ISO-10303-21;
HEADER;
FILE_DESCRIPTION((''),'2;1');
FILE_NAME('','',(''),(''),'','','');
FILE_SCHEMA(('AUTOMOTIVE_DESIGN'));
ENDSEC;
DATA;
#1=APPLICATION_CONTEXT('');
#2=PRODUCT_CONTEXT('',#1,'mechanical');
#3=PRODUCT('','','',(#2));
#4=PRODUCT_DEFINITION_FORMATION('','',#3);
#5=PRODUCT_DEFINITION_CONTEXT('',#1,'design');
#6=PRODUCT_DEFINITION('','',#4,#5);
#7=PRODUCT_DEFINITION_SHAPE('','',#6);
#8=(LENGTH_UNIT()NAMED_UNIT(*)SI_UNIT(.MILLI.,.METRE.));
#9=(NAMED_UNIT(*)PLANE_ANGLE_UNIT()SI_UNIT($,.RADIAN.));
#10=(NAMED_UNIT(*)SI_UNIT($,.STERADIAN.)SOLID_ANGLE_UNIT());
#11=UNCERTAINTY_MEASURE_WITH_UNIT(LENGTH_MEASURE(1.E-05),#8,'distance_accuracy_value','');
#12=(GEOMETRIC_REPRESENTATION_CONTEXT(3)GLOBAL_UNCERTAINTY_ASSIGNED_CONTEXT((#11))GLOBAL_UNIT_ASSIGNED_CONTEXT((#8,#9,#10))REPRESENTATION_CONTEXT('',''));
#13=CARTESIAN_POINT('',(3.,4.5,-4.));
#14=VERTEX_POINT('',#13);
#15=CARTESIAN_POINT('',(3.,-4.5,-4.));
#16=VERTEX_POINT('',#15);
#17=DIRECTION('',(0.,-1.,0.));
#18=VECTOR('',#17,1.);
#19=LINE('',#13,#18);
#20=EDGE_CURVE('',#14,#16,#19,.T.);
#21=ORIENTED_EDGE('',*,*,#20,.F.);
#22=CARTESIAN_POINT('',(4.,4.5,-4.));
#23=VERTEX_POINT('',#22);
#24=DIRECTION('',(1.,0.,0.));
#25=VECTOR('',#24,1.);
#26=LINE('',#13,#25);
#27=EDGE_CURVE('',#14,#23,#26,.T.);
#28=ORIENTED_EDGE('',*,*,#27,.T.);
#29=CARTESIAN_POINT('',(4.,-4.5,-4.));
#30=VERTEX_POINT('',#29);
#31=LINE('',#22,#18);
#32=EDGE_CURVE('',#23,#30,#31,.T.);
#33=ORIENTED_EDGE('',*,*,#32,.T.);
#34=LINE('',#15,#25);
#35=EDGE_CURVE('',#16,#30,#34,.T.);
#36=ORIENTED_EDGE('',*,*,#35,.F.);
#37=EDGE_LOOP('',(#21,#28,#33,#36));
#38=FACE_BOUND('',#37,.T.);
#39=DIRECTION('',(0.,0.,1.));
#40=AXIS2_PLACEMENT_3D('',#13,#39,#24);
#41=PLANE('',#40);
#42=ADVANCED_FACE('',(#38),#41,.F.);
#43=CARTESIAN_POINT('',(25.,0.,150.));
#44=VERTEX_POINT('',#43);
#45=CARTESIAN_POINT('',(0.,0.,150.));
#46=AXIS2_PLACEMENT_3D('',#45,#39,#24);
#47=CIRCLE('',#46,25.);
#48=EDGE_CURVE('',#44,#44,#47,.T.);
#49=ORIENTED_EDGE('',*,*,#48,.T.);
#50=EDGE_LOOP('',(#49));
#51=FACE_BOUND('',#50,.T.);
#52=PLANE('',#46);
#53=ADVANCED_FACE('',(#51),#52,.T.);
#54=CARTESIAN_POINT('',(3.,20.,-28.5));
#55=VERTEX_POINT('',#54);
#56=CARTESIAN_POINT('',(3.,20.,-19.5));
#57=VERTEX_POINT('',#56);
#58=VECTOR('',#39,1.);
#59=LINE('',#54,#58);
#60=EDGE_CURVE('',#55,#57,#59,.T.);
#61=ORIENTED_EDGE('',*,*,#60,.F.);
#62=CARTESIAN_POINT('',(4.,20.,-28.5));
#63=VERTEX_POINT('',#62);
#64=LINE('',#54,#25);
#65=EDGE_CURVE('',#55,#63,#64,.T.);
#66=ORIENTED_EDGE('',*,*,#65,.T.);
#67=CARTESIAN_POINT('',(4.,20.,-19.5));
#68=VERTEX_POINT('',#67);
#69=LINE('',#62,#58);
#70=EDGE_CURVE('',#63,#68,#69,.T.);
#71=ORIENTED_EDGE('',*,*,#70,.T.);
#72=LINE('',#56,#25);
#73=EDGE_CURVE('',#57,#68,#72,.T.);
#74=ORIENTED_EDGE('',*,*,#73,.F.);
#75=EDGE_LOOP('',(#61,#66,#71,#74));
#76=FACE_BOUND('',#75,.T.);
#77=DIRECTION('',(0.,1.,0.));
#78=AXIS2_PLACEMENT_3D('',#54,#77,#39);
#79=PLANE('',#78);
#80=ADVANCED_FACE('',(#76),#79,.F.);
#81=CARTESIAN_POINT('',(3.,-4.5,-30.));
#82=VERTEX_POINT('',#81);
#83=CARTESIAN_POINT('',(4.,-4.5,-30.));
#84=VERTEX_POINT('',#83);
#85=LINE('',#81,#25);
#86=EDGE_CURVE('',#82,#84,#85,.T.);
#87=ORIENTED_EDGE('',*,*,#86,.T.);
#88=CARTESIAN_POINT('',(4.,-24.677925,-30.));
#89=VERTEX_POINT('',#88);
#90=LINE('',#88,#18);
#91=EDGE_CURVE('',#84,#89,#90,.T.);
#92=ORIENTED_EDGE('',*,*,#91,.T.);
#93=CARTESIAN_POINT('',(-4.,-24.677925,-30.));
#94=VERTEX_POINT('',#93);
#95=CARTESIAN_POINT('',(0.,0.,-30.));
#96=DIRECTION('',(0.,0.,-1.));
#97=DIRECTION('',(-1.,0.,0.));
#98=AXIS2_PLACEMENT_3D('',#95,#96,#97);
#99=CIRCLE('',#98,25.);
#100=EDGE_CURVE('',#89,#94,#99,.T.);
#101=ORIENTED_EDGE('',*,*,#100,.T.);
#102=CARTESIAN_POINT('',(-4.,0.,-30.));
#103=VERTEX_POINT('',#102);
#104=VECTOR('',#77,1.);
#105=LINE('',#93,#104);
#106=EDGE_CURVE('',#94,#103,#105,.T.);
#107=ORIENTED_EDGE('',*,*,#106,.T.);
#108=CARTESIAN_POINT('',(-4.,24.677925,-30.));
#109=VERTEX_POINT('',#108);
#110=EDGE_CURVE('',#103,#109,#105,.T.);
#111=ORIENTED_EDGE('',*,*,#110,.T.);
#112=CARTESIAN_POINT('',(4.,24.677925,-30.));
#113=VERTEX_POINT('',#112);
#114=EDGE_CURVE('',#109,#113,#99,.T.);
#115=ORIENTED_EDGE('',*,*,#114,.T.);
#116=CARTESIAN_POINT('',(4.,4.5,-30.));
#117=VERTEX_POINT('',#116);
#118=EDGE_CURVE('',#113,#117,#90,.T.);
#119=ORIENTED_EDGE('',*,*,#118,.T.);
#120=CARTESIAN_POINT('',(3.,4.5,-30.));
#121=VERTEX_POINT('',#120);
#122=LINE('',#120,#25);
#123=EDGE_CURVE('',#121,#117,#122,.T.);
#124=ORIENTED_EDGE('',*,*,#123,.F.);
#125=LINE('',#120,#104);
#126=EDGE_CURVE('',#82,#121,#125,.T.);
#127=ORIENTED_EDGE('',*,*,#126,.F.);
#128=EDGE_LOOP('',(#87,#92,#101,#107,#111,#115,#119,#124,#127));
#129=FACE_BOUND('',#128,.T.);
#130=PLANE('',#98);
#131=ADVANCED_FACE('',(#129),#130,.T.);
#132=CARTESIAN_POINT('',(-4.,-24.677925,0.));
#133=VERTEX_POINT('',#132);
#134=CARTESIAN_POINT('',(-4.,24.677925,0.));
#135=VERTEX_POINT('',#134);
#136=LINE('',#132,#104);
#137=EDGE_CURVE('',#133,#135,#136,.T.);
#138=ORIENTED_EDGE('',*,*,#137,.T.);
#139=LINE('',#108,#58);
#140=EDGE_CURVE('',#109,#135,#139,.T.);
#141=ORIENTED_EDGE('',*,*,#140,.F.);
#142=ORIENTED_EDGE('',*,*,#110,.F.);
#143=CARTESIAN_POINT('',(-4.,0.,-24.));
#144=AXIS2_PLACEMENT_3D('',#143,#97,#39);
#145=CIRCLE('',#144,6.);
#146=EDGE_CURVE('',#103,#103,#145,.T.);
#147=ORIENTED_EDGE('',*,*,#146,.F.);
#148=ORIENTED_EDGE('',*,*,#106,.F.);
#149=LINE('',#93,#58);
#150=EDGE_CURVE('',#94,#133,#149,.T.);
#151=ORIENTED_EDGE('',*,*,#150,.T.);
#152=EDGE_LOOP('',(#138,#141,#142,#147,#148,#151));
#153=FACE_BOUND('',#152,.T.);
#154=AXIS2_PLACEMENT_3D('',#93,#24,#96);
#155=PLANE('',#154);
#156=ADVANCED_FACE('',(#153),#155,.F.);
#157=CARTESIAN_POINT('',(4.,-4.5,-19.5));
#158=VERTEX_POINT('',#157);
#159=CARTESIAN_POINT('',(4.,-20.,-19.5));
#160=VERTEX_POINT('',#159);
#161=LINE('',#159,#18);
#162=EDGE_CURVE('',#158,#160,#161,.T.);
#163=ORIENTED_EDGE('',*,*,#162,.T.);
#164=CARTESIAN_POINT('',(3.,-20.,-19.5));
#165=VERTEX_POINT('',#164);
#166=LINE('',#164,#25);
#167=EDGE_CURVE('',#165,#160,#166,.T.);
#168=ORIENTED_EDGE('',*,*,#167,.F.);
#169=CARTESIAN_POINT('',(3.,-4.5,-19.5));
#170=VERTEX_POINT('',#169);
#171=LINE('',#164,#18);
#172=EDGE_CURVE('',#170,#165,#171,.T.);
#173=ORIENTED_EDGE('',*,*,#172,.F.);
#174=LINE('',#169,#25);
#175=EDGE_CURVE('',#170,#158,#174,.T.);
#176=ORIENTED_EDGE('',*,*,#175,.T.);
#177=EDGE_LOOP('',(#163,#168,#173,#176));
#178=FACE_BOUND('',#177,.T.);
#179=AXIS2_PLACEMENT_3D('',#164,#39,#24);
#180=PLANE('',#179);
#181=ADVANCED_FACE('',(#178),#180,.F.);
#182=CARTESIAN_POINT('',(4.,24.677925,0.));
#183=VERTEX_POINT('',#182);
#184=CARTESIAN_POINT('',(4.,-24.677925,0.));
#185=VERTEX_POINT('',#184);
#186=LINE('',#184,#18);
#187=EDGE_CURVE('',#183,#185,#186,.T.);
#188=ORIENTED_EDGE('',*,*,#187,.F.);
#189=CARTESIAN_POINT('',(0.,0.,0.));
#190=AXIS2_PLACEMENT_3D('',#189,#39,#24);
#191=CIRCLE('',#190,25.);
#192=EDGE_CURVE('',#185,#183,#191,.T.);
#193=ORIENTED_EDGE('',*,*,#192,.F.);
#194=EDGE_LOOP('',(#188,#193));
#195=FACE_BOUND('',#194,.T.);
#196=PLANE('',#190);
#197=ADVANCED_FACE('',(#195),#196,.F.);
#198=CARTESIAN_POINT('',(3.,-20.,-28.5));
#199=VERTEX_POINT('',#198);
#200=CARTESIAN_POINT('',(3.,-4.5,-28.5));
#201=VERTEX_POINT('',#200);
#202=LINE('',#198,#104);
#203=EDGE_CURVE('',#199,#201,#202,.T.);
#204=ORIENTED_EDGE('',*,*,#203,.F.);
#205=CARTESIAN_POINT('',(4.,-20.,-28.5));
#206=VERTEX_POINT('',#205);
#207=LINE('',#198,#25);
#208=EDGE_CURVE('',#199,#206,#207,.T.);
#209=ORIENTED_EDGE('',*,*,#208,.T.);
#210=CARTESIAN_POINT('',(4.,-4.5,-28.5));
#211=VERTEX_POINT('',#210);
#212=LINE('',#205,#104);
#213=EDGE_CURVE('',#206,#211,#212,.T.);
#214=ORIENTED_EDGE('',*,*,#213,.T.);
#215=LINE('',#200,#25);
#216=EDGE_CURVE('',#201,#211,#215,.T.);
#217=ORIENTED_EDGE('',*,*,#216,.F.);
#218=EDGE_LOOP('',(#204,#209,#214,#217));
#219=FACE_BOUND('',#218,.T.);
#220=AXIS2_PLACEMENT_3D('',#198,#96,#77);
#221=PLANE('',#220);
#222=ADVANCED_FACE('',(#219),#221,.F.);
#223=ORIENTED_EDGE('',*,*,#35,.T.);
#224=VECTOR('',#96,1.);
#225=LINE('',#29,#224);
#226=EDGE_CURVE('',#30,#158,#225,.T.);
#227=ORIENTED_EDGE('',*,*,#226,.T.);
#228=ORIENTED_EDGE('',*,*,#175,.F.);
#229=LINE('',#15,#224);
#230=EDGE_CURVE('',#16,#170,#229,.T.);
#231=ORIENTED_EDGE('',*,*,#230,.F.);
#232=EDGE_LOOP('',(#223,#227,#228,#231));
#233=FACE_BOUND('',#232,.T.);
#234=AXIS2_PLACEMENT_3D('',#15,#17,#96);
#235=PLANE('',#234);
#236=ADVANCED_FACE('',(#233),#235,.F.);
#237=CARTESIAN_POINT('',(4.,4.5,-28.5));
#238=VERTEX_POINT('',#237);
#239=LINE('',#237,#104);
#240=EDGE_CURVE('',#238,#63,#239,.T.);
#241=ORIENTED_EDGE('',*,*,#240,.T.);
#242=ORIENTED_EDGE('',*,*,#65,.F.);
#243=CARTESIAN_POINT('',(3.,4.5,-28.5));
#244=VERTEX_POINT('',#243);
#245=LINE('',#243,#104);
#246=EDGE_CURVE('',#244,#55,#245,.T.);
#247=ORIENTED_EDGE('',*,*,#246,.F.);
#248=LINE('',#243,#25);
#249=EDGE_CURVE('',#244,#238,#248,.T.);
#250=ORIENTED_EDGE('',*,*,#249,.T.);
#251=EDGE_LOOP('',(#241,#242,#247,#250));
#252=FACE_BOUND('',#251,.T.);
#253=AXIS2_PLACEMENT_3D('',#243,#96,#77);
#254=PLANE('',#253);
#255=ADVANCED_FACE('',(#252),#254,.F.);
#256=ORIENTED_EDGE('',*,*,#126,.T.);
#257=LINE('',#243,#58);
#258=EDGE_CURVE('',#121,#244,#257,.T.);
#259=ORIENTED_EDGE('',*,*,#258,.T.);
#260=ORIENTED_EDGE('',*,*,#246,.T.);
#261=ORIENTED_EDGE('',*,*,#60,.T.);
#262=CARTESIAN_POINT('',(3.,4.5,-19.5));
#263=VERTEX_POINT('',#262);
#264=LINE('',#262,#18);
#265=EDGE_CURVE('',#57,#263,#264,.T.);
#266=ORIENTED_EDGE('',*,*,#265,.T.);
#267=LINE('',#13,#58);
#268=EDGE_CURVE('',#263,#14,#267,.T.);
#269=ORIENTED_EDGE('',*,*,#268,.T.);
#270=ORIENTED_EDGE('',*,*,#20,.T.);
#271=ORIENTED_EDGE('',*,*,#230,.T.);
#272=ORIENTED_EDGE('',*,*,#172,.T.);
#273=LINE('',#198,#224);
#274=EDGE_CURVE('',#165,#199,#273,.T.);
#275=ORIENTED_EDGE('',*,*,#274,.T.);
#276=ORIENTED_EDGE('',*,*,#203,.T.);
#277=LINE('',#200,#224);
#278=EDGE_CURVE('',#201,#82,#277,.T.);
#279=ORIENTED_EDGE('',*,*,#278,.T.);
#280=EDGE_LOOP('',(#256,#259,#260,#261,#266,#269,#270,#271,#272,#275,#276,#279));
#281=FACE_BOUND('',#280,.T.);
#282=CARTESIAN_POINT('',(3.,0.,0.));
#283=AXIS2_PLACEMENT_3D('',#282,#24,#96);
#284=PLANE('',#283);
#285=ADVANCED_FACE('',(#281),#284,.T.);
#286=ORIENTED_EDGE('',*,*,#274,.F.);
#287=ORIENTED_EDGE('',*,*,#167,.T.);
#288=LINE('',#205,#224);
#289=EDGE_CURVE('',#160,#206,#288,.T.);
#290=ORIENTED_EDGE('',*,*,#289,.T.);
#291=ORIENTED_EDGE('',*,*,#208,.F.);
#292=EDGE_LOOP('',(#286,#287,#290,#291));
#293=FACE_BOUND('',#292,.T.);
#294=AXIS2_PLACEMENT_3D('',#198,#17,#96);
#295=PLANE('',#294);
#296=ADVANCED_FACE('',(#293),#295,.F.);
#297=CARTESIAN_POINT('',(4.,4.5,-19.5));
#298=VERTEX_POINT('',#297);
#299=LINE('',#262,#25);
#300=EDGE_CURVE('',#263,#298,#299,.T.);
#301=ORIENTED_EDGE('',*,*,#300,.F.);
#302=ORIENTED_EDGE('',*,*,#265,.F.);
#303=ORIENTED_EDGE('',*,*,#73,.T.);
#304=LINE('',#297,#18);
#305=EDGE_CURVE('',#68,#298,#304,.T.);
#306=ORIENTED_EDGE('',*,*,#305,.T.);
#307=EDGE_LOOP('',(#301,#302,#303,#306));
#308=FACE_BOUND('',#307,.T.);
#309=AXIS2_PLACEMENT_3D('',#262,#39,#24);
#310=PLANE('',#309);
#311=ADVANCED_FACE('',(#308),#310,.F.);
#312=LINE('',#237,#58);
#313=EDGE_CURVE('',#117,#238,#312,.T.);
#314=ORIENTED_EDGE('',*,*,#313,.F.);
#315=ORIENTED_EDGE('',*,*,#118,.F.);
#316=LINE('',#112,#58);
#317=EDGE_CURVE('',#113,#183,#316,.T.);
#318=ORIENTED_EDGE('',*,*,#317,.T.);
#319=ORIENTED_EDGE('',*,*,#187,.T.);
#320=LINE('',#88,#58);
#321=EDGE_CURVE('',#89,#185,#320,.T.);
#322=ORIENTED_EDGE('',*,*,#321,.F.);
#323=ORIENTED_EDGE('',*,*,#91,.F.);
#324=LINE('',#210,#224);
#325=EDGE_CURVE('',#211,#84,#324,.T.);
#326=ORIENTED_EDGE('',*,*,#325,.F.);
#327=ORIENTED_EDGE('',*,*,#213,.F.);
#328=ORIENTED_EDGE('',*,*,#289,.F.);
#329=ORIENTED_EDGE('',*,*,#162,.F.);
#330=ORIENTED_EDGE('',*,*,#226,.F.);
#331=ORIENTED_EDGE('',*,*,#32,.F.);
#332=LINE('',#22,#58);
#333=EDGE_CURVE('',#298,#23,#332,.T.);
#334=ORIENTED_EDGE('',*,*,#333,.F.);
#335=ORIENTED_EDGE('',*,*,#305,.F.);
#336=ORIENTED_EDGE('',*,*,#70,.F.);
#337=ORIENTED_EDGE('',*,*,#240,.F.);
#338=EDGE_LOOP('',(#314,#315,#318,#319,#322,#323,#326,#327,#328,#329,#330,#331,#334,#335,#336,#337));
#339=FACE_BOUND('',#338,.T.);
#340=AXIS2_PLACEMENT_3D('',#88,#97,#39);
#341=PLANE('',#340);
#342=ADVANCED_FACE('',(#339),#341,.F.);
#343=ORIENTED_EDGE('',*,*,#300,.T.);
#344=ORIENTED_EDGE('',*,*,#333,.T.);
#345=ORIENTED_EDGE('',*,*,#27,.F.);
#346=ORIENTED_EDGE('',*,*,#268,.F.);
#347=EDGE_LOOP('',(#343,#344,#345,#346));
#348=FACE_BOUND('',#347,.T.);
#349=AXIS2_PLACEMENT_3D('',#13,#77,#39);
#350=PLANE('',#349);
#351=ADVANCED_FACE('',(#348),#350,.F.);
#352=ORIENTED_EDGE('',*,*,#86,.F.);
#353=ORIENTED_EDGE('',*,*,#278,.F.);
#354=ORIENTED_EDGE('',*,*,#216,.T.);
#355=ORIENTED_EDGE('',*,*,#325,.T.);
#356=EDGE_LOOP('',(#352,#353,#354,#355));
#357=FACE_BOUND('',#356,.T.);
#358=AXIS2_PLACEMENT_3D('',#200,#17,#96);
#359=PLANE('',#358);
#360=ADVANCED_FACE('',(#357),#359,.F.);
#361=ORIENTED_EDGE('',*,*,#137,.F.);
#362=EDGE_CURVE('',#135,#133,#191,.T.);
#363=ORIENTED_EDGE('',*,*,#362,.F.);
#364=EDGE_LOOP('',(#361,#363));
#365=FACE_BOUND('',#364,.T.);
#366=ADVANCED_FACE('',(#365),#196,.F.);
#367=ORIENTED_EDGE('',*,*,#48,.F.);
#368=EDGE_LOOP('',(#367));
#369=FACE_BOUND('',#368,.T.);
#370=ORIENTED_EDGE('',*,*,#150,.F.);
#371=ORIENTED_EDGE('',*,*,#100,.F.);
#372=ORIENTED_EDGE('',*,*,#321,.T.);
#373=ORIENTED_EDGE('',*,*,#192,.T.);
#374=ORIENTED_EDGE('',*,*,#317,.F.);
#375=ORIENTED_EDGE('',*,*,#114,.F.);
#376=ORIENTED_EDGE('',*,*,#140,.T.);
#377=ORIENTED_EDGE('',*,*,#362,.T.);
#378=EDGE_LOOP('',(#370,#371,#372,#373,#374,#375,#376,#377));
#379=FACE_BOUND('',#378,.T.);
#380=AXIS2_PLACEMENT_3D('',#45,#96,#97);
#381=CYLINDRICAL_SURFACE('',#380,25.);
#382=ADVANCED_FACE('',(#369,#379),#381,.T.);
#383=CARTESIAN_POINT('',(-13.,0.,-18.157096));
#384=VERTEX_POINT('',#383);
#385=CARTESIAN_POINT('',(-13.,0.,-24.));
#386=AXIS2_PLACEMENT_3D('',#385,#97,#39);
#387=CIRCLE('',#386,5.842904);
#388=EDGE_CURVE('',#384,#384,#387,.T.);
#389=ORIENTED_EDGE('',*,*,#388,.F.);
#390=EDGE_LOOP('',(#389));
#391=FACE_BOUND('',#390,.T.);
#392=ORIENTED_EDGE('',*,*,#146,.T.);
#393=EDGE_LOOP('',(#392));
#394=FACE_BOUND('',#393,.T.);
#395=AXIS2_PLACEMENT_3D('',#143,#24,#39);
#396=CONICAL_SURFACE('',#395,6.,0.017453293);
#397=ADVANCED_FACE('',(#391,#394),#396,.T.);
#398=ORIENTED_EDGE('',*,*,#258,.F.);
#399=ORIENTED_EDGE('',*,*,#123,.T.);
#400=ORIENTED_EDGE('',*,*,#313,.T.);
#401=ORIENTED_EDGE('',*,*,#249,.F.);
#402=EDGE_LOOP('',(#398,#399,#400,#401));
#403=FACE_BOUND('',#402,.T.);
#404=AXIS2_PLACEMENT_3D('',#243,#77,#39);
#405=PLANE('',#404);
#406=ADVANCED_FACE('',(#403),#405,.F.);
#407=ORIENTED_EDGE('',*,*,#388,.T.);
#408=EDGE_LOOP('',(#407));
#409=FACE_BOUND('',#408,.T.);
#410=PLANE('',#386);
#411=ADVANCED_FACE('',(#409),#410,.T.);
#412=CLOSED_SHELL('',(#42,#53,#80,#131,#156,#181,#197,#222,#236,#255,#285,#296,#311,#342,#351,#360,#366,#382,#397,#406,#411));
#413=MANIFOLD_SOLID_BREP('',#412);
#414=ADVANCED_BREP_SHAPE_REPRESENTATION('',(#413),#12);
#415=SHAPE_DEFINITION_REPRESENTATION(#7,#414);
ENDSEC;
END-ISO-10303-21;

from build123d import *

# Parameters (mm, degrees)
ESQUISSE1_R             = 25
BOSS_EXTRU_1_DEPTH      = 150
BOSS_EXTRU_2_START      = 30
BOSS_EXTRU_2_DEPTH      = 30
ESQUISSE3_R             = 6
BOSS_EXTRU_3_DEPTH      = 9
BOSS_EXTRU_3_TAPER      = 1
ENL_V_MAT_EXTRU_1_DEPTH = 1


with BuildPart() as part:
    # Esquisse1 → Boss.-Extru.1 (new body)
    with BuildSketch(Plane.XY):
        Circle(ESQUISSE1_R)
    extrude(amount=BOSS_EXTRU_1_DEPTH)

    # Esquisse2 → Boss.-Extru.2 (add)
    with BuildSketch(Plane(origin=(0, 0, 0), x_dir=(-1, 0, 0), z_dir=(0, 0, -1)).offset(BOSS_EXTRU_2_START)):
        with BuildLine():
            Line((-4, -24.677925359), (-4, 24.677925359))
            ThreePointArc((-4, 24.677925359), (0, 25), (4, 24.677925359))
            Line((4, 24.677925359), (4, -24.677925359))
            ThreePointArc((4, -24.677925359), (0, -25), (-4, -24.677925359))
        make_face()
    extrude(amount=-BOSS_EXTRU_2_DEPTH)

    # Esquisse3 → Boss.-Extru.3 (add)
    with BuildSketch(Plane.ZY.offset(4)):
        with Locations((-24, 0)):
            Circle(ESQUISSE3_R)
    extrude(amount=BOSS_EXTRU_3_DEPTH, taper=BOSS_EXTRU_3_TAPER)

    # Esquisse4 → Enlèv. mat.-Extru.1 (cut)
    with BuildSketch(Plane(origin=(4, 0, 0), x_dir=(0, 0, -1), z_dir=(1, 0, 0))):
        Polygon((19.5, 4.5), (19.5, 20), (28.5, 20), (28.5, 4.5), (30, 4.5), (30, -4.5), (28.5, -4.5), (28.5, -20), (19.5, -20), (19.5, -4.5), (4, -4.5), (4, 4.5), align=None)
    extrude(amount=-ENL_V_MAT_EXTRU_1_DEPTH, mode=Mode.SUBTRACT)


solid = part.part
